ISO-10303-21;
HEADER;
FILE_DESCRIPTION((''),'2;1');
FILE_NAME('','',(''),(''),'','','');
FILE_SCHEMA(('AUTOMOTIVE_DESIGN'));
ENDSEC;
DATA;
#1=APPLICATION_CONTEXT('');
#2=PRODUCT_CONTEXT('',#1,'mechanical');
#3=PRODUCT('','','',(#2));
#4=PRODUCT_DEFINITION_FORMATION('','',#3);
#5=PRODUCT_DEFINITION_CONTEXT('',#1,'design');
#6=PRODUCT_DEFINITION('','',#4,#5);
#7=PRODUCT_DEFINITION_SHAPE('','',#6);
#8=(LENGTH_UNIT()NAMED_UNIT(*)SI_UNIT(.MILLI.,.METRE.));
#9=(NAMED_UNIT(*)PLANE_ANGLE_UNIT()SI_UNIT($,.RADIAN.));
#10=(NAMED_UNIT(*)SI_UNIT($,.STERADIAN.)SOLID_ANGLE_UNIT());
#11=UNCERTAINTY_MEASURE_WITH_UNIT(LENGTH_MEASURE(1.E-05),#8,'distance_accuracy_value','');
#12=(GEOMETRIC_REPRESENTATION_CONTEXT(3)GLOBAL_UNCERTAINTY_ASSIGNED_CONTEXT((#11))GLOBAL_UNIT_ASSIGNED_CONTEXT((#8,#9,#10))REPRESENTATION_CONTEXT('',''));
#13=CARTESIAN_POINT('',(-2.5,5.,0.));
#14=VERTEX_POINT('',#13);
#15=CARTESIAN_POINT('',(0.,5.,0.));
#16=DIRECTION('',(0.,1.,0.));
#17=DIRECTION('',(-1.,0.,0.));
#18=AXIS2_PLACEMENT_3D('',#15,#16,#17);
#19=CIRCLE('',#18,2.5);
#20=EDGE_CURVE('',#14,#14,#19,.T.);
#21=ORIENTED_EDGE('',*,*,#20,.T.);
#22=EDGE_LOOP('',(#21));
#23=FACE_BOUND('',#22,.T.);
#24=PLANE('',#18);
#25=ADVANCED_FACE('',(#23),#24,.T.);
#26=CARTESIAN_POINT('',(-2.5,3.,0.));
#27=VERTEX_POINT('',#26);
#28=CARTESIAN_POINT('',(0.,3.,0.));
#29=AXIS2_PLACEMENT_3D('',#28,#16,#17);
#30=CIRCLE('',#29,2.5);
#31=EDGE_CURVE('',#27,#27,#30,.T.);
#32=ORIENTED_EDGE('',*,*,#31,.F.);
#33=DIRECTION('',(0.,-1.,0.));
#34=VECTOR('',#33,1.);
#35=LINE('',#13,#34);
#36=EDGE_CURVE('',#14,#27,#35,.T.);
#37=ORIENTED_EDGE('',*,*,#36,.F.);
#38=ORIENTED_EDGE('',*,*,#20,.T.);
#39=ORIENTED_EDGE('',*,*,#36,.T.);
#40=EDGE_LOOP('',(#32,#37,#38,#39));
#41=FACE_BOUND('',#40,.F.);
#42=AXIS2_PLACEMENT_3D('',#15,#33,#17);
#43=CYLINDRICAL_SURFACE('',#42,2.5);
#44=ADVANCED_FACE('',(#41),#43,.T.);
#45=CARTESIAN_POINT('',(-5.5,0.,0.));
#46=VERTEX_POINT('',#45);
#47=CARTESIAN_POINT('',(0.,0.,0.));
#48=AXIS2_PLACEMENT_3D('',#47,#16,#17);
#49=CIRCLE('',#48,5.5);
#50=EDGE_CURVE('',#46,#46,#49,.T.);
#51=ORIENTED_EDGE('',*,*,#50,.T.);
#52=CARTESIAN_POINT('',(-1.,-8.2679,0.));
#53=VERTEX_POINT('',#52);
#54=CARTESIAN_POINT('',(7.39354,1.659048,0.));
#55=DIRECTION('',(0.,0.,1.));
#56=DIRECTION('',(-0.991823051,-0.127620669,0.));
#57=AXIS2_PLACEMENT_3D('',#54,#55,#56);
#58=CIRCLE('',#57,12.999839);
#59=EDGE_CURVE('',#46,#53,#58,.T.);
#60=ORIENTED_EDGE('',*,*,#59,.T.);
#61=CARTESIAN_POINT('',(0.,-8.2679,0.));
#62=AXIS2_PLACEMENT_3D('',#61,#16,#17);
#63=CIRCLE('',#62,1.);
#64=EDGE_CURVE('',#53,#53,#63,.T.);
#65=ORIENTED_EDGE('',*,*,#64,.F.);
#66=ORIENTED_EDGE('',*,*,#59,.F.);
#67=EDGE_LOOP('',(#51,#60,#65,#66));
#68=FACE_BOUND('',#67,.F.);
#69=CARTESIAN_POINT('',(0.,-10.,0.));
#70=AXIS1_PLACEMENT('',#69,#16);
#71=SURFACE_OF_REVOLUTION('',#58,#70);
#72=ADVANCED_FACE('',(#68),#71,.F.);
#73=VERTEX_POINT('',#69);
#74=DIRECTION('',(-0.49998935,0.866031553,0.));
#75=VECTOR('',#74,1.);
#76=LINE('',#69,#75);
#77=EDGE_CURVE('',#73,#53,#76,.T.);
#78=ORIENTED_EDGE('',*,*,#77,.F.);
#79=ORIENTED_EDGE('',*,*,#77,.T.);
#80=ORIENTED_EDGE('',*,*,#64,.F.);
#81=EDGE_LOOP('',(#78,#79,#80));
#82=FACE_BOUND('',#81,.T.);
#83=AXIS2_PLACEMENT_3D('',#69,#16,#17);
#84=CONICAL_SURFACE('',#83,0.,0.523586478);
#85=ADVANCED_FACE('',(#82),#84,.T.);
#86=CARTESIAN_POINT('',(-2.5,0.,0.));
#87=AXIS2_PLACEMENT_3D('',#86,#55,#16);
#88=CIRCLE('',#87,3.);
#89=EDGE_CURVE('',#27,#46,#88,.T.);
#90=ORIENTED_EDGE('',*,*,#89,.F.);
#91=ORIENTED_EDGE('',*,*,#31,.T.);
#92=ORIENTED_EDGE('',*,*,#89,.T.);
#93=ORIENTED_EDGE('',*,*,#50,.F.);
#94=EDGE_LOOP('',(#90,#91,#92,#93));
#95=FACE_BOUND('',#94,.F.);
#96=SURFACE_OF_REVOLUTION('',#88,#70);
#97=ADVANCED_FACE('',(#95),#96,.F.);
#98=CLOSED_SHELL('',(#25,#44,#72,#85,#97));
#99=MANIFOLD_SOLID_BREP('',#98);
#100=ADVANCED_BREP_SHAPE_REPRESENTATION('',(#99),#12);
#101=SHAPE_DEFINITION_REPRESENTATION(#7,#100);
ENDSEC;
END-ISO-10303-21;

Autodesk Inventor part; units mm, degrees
ref_plane "YZ Plane" through (0, 0, 0) normal (1, 0, 0) x (0, 1, 0)
ref_plane "XZ Plane" through (0, 0, 0) normal (0, 1, 0) x (-1, 0, 0)
ref_plane "XY Plane" through (0, 0, 0) normal (0, 0, 1) x (1, 0, 0)
sketch "Esboço1" plane through (0, 0, 0) normal (0, 0, 1) x (1, 0, 0)
  line L0 (-2.5, 5) -> (2.5, 5) construction
  line L1 (-2.5, 5) -> (-2.5, 3)
  line L2 (0, 0) -> (0, -10) construction
  line L3 (0, -10) -> (-1, -8.2679)
  line L4 (-2.5, 5) -> (0, 5)
  line L5 (0, 0) -> (-5.5, 0) construction
  arc A0 (-2.5, 3) -> (-5.5, 0) centre (-2.5, 0) ccw
  line L6 (-2.5, 3) -> (-5.5, 3) construction
  line L7 (-5.5, 3) -> (-5.5, 0) construction
  line L8 (-5.5, 0) -> (-1, -8.2679) construction
  arc A1 (-5.5, 0) -> (-1, -8.2679) centre (7.3937, 1.6591) ccw
  line L9 (0, 5) -> (0, -10)
  line L10 (0, -13) -> (0, 8) projected
  dimension "d0" = 5
  dimension "d1" = 5
  dimension "d2" = 2
  dimension "d3" = 10
  dimension "d4" = 30
  dimension "d5" = 2
  dimension "d7" = 13
revolve "Revolução1" add sketch "Esboço1" angle 360 about axis through (0, -10, 0) along (0, 1, 0)
properties part number "Peao_0001_001" material "Liga de aço"
